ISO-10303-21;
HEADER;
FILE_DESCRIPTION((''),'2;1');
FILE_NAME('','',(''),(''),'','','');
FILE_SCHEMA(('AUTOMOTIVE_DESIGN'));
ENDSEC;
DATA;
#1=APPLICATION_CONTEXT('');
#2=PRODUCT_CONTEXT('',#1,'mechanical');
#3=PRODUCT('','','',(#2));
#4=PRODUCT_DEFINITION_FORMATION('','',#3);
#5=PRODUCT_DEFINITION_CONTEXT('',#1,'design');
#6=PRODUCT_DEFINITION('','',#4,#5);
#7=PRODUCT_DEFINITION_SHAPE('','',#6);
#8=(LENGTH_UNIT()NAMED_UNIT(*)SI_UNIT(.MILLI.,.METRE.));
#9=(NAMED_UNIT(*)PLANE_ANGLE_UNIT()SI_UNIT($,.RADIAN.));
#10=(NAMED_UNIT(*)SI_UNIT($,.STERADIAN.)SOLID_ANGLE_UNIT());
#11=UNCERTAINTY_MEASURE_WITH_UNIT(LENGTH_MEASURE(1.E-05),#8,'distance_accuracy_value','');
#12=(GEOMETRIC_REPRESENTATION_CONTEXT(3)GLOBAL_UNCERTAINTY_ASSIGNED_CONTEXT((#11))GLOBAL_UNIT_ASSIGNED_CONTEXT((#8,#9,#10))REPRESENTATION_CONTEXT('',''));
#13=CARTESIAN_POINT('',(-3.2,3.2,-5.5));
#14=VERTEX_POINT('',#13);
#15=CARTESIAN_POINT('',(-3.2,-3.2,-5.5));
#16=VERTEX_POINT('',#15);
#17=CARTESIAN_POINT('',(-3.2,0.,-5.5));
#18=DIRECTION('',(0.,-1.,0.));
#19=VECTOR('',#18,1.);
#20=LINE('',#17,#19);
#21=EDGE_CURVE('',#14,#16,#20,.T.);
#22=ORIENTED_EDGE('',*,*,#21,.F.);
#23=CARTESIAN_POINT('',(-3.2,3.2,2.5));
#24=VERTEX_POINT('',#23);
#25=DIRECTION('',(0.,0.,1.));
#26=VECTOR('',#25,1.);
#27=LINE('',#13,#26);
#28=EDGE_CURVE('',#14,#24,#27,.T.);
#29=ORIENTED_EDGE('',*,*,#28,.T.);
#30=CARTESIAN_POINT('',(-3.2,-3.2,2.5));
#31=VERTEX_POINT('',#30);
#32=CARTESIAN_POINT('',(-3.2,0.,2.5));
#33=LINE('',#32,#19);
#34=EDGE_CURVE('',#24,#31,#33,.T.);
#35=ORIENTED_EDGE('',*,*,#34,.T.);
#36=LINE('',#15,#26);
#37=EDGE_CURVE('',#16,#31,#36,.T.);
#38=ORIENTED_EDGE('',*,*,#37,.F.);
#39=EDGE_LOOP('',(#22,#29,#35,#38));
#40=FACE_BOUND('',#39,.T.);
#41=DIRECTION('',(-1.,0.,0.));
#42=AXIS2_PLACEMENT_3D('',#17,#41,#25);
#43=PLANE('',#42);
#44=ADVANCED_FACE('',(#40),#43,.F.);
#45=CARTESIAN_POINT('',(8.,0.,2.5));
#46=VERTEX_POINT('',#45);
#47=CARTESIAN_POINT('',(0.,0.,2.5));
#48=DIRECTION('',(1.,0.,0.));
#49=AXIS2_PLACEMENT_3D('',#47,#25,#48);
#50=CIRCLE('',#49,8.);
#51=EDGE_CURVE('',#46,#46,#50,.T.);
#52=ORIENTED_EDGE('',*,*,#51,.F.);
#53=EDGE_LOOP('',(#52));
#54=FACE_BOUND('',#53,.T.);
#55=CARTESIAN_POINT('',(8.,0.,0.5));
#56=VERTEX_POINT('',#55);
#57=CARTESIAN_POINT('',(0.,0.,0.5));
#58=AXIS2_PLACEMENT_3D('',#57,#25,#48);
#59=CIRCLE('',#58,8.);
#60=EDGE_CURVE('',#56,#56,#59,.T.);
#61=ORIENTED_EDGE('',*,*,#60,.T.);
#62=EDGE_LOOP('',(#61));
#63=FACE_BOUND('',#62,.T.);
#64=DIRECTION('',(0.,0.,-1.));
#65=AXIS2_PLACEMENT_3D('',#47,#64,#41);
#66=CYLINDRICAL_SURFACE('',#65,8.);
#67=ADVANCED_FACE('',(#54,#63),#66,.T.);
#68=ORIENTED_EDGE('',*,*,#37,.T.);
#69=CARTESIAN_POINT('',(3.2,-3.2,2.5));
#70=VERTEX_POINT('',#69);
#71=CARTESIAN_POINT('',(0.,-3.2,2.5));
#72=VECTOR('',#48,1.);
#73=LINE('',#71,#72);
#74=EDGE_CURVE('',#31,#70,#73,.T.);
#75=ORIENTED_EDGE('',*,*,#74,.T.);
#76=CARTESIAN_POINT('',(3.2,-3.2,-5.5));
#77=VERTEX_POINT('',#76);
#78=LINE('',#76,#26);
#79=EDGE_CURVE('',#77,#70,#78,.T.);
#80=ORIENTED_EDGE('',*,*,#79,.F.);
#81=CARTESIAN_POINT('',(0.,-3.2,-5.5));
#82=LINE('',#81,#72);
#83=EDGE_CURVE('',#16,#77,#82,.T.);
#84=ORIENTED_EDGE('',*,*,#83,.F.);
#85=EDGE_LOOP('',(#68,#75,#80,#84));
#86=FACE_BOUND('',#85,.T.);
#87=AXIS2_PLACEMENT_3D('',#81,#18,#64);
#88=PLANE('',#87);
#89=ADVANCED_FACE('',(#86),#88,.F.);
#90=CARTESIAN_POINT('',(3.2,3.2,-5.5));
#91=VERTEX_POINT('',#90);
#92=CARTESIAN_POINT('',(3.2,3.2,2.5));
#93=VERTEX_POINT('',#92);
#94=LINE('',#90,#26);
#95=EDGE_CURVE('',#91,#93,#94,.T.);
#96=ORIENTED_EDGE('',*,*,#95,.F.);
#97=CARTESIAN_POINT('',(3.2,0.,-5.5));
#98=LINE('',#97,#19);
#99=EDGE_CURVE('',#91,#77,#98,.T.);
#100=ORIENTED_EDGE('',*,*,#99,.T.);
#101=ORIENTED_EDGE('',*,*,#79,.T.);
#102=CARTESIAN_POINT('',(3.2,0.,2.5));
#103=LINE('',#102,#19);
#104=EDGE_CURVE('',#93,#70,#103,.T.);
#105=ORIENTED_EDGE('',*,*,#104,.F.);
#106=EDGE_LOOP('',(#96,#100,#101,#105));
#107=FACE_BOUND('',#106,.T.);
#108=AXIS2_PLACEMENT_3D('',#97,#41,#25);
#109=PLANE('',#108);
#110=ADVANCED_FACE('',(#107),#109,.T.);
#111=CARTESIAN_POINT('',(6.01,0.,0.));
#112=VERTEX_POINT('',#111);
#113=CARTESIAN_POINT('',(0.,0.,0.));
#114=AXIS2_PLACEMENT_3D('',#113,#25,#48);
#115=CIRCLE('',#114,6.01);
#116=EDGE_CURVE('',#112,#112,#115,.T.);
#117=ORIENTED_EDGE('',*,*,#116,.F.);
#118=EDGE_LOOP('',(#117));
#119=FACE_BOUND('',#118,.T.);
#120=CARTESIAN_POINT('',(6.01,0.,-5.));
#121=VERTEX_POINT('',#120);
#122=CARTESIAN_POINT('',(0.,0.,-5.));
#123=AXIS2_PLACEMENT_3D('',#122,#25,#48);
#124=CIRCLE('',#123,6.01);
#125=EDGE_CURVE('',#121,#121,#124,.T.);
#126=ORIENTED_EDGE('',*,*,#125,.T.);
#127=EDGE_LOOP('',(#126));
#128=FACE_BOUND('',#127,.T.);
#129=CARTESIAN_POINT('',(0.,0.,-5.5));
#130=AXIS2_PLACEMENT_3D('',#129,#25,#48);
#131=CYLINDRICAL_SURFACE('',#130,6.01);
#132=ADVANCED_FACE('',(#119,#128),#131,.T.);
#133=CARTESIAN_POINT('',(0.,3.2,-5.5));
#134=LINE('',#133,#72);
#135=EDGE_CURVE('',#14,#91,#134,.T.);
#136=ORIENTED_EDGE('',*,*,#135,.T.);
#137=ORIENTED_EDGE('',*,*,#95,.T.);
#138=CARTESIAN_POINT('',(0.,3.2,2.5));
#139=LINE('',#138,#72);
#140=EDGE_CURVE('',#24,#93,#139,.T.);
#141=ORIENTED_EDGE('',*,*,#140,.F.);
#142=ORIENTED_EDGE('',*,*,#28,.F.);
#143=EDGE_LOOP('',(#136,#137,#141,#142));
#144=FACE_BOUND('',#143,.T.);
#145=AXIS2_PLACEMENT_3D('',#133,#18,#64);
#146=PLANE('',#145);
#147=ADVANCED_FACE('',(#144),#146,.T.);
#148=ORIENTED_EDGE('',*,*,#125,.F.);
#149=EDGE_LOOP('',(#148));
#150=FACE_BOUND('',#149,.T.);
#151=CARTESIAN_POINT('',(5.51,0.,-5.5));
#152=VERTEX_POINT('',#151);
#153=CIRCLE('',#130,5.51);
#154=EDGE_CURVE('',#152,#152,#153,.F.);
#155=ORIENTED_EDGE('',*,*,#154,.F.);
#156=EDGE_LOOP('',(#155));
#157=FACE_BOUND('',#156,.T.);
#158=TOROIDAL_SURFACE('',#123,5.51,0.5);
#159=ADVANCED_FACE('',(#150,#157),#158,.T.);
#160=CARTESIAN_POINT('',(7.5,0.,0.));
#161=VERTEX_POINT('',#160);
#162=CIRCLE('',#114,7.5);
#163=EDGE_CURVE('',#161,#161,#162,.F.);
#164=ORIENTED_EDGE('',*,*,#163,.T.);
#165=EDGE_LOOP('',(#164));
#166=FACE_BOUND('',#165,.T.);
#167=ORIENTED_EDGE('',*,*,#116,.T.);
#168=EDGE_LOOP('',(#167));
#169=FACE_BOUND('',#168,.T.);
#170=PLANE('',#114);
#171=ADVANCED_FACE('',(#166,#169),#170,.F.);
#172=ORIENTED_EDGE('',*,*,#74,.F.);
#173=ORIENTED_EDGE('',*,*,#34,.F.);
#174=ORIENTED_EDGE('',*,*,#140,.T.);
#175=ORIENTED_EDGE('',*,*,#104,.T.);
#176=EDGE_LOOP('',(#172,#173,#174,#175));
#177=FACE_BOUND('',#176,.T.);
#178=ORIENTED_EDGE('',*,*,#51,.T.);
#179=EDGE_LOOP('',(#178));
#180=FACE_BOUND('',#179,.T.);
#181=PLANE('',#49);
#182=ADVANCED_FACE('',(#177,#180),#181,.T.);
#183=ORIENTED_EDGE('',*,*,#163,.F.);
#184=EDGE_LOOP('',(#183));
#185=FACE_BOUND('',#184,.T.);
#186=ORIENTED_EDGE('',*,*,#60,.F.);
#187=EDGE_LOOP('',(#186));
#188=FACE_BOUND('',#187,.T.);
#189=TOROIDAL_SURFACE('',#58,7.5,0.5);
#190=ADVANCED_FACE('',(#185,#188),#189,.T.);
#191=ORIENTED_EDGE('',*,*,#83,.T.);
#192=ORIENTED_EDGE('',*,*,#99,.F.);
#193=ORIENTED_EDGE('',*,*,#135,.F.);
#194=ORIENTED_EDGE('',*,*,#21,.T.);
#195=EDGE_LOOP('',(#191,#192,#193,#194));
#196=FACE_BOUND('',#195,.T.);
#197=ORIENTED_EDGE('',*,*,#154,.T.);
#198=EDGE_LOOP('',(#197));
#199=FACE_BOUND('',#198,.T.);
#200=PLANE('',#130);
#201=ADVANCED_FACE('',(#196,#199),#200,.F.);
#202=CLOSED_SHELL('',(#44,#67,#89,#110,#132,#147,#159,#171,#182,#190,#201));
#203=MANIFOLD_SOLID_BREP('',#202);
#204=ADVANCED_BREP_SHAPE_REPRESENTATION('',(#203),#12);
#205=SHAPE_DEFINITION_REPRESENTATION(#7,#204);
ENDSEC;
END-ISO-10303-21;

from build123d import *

# Parameters (mm, degrees)
SKETCH1_R           = 6.01
SKETCH1_W           = 6.4
SKETCH1_H           = 6.4
BOSS_EXTRUDE1_DEPTH = 5.5
SKETCH1_3_R         = 8
SKETCH1_3_W         = 6.4
SKETCH1_3_H         = 6.4
BOSS_EXTRUDE2_DEPTH = 2.5
FILLET1_R           = 0.5


with BuildPart() as part:
    # Sketch1 → Boss-Extrude1 (new body)
    with BuildSketch(Plane.XY):
        Circle(SKETCH1_R)
        Rectangle(SKETCH1_W, SKETCH1_H, mode=Mode.SUBTRACT)
    extrude(amount=-BOSS_EXTRUDE1_DEPTH)

    # Sketch1<3> → Boss-Extrude2 (add)
    with BuildSketch(Plane.XY):
        Circle(SKETCH1_3_R)
        Rectangle(SKETCH1_3_W, SKETCH1_3_H, mode=Mode.SUBTRACT)
    extrude(amount=BOSS_EXTRUDE2_DEPTH)

    # Fillet1
    fillet1_edges = [part.edges().sort_by_distance(p)[0] for p in [
        (-8, 0, 0),
        (-6.01, 0, -5.5),
    ]]
    fillet(fillet1_edges, radius=FILLET1_R)


solid = part.part
